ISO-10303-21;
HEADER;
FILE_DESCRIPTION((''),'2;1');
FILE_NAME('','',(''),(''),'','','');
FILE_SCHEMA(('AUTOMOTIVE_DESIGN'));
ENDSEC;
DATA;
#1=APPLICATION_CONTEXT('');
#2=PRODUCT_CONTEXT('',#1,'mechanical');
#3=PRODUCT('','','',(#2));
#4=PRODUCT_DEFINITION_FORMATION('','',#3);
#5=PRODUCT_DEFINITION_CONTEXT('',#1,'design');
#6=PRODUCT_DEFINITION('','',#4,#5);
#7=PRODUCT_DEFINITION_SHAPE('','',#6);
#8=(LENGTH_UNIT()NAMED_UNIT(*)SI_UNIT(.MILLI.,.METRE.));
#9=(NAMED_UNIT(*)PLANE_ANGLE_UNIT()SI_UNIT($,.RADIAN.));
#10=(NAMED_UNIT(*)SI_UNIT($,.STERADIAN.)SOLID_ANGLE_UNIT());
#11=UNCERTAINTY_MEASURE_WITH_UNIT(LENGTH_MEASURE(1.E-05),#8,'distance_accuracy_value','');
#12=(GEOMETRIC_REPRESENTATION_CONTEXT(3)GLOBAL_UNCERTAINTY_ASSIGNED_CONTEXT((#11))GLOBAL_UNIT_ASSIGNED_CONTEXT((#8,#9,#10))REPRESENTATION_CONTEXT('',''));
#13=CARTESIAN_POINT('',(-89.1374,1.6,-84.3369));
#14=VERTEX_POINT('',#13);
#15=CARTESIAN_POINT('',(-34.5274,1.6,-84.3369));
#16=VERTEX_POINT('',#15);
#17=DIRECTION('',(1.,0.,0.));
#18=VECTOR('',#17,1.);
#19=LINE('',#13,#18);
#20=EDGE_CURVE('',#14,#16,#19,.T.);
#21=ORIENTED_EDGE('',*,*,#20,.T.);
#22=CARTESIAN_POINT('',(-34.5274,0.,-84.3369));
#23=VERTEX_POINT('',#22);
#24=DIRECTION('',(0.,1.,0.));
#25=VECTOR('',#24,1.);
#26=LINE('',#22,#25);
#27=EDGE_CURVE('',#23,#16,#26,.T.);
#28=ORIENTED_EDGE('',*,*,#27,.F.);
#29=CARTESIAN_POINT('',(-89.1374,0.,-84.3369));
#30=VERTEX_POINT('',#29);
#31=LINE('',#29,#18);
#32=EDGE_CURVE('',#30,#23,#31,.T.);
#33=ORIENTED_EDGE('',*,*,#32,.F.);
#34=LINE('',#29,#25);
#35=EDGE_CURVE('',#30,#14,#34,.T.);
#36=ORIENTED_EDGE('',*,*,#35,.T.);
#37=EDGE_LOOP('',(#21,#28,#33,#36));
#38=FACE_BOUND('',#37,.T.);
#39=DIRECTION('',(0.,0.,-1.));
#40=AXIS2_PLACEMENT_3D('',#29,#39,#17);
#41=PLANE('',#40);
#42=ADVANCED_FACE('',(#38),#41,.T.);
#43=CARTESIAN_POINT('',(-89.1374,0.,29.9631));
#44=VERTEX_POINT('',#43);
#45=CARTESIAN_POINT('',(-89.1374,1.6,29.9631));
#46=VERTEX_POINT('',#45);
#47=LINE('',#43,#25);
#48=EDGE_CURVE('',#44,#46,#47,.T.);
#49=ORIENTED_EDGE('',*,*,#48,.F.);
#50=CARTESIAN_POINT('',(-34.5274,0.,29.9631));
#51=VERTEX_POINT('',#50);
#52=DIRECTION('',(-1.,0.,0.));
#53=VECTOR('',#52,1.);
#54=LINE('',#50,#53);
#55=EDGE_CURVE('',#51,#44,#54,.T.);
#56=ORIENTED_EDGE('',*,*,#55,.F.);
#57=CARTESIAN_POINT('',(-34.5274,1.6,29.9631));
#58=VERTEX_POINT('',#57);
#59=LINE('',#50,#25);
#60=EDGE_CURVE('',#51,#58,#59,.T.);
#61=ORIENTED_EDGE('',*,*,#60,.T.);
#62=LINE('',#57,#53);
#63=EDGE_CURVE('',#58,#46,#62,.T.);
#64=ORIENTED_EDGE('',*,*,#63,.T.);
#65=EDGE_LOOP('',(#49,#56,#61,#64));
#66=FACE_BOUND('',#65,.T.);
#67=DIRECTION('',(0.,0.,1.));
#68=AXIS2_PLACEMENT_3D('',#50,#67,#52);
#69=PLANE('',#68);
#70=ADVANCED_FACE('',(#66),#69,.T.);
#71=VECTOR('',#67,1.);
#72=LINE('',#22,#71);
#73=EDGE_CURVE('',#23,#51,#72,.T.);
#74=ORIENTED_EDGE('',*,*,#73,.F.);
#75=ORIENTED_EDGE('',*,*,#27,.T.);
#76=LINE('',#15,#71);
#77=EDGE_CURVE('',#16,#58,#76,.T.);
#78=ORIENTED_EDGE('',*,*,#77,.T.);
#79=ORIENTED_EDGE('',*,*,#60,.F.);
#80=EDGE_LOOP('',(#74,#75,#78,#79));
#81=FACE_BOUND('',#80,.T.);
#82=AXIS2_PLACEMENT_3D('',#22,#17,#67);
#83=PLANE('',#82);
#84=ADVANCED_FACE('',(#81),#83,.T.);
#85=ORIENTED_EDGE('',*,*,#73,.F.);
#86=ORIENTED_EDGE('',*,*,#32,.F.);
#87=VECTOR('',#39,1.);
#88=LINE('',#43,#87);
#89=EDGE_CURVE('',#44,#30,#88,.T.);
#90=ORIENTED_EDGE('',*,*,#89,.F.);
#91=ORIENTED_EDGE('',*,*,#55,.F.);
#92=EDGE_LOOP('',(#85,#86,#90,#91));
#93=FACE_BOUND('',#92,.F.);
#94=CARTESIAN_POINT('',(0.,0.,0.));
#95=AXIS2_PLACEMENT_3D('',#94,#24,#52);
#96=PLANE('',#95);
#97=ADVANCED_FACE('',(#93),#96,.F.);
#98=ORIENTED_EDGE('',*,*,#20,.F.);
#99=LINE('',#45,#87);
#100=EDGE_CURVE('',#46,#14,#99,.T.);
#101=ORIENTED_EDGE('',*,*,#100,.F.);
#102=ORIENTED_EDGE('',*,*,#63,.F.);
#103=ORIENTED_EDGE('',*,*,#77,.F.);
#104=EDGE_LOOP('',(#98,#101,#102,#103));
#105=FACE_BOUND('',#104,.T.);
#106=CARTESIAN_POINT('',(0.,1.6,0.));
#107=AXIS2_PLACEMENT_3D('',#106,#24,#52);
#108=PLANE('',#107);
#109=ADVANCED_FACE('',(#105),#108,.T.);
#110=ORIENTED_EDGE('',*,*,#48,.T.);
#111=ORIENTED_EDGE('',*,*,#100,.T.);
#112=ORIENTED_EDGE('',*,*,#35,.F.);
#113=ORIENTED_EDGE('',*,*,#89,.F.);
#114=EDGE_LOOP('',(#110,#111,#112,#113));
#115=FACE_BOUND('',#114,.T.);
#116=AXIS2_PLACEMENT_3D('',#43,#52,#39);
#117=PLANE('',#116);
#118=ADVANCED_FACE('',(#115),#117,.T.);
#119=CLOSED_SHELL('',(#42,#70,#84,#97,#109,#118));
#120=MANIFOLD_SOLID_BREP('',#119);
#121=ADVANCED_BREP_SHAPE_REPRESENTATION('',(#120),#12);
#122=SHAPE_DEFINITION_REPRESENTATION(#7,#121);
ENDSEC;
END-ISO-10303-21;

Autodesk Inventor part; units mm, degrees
ref_plane "YZ Plane" through (0, 0, 0) normal (1, 0, 0) x (0, 1, 0)
ref_plane "XZ Plane" through (0, 0, 0) normal (0, 1, 0) x (-1, 0, 0)
ref_plane "XY Plane" through (0, 0, 0) normal (0, 0, 1) x (1, 0, 0)
sketch "Sketch1" plane through (0, 0, 0) normal (0, 1, 0) x (-1, 0, 0)
  line L0 (34.5274, 29.9631) -> (89.1374, 29.9631)
  line L1 (89.1374, 29.9631) -> (89.1374, -84.3369)
  line L2 (89.1374, -84.3369) -> (34.5274, -84.3369)
  line L3 (34.5274, -84.3369) -> (34.5274, 29.9631)
  point P0 (0, 0)
  dimension "d0" = 54.61
  dimension "d1" = 114.3
extrude "Extrusion1" add sketch "Sketch1" along normal blind 1.6
properties part number "Dish_Board"
